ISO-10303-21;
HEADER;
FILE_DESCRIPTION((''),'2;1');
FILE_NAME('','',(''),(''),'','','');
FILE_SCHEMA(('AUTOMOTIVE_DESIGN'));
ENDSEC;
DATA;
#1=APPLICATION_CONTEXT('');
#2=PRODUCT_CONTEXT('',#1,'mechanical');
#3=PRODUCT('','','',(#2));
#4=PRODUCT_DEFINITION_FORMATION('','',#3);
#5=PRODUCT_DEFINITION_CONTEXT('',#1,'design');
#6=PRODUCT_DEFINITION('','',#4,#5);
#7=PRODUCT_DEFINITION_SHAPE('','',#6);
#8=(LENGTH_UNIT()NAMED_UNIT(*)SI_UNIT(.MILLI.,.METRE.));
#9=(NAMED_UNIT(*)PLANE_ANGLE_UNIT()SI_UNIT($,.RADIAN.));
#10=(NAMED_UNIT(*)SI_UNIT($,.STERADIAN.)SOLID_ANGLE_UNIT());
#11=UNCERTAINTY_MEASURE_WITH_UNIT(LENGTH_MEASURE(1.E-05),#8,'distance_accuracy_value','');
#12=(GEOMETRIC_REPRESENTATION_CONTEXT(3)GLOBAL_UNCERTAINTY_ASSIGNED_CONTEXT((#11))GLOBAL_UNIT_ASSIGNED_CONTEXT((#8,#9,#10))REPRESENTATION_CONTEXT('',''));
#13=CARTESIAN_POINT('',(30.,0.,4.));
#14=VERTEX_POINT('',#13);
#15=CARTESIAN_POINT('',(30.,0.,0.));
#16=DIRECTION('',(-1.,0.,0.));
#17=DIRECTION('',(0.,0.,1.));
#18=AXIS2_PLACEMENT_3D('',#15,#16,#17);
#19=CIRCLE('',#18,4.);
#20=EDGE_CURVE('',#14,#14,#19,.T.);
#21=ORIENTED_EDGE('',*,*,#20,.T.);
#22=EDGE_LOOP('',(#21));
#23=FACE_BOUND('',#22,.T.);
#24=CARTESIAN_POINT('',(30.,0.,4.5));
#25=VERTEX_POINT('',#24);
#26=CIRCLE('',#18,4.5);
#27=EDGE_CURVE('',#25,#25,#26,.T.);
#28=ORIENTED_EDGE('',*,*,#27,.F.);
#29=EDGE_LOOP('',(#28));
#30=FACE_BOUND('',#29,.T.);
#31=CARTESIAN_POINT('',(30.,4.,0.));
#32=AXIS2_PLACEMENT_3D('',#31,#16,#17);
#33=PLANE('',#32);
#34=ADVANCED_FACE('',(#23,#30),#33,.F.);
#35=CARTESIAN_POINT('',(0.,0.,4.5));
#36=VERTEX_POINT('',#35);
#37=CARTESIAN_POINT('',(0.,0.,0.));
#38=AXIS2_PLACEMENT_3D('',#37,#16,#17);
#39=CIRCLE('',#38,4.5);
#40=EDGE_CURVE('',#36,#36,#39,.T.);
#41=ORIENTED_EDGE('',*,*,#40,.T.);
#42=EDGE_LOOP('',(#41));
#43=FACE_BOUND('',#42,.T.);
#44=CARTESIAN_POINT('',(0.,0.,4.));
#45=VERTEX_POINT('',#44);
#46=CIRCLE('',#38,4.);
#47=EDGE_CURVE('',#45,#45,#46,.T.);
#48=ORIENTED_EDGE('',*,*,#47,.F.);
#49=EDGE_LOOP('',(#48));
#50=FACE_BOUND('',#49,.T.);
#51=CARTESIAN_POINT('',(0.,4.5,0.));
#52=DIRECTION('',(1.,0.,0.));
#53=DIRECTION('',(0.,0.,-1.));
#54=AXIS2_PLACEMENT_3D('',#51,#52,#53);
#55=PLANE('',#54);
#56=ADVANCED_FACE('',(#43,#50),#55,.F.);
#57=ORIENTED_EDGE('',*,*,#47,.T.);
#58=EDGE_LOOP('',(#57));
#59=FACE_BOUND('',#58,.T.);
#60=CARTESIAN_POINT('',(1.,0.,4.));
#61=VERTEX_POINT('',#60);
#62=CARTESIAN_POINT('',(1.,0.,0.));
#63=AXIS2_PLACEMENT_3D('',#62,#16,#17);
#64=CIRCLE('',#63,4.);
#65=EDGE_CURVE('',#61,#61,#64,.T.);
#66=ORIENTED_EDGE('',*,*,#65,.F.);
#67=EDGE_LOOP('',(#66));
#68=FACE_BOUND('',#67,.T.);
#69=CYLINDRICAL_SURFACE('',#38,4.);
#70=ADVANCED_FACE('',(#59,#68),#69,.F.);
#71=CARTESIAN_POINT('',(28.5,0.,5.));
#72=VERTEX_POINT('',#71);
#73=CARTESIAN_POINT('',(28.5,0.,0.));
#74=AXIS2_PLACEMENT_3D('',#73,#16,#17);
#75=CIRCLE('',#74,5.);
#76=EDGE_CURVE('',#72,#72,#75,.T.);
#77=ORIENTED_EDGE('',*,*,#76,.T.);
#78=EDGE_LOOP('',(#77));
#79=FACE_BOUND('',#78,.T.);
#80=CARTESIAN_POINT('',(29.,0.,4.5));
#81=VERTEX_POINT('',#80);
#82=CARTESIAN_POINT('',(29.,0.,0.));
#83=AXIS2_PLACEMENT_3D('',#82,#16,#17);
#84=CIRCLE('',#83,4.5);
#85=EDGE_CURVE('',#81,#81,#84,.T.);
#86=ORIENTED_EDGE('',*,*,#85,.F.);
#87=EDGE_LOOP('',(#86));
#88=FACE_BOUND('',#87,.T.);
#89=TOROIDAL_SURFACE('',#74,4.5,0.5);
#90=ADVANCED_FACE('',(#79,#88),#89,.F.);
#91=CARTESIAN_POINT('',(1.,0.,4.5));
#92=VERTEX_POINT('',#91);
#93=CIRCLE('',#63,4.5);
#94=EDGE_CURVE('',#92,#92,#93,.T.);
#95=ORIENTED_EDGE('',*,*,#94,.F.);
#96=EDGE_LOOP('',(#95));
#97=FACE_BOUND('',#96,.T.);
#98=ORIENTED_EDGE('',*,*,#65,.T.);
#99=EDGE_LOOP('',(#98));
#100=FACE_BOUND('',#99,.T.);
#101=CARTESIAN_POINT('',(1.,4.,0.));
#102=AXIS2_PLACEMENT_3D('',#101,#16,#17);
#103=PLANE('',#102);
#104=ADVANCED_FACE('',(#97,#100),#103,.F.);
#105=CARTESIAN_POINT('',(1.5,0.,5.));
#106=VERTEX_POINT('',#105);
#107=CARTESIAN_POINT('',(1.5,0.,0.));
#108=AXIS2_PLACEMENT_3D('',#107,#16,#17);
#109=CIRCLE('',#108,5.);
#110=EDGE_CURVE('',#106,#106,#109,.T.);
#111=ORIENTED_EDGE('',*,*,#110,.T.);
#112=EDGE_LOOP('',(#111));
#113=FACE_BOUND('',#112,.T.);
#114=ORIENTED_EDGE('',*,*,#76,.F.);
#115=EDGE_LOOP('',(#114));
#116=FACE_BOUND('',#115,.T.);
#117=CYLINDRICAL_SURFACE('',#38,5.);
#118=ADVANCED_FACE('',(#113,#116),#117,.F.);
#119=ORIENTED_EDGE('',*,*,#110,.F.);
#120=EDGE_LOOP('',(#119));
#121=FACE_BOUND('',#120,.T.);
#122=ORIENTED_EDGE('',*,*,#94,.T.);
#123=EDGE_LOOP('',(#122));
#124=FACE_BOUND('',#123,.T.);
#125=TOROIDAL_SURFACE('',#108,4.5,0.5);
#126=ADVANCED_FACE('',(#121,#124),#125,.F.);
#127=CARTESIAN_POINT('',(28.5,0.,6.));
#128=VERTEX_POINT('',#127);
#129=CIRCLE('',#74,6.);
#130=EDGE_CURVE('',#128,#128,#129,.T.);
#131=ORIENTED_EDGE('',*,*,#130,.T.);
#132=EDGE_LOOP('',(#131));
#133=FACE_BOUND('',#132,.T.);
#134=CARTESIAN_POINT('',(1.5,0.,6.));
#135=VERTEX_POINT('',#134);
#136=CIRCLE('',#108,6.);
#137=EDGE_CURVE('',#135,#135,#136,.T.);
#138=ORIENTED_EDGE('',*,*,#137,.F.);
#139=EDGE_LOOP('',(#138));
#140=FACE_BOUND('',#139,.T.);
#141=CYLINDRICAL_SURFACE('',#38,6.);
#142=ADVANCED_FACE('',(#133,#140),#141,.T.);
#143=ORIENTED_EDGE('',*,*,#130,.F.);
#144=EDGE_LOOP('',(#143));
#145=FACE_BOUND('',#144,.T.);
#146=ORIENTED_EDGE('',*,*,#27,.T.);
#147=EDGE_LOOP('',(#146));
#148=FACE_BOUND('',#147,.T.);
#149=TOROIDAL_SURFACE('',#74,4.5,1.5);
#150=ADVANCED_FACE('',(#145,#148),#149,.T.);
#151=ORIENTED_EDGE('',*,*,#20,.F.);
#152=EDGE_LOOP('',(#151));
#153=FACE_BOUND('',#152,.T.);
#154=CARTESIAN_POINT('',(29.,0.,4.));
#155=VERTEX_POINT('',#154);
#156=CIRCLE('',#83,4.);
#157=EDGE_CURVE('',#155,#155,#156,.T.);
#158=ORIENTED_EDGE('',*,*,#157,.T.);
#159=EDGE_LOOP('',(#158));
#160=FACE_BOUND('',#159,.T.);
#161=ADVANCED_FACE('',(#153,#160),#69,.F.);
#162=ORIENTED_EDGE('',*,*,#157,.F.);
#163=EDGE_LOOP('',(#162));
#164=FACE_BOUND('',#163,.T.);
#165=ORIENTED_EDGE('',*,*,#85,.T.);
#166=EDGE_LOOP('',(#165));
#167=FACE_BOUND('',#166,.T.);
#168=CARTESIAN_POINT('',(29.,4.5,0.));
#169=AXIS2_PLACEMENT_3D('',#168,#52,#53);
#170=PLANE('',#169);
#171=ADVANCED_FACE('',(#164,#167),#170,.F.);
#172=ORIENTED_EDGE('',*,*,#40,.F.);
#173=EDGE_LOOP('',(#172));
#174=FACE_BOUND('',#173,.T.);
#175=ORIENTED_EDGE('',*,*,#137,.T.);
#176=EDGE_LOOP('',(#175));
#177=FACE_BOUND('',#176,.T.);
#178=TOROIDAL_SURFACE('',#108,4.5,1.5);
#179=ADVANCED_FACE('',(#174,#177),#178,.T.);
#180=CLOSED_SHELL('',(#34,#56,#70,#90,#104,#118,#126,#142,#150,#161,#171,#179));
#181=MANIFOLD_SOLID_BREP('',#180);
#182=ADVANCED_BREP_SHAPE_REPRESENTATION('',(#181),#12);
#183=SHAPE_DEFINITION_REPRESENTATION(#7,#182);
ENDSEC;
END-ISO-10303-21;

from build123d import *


with BuildPart() as part:
    # Esquisse1 → Base-Révolution (revolve)
    with BuildSketch(Plane.XY, mode=Mode.PRIVATE) as base_r_volution_sk:
        with BuildLine():
            Line((1.5, 6), (28.5, 6))
            ThreePointArc((28.5, 6), (29.560660172, 5.560660172), (30, 4.5))
            Line((30, 4.5), (30, 4))
            Line((30, 4), (29, 4))
            Line((29, 4), (29, 4.5))
            ThreePointArc((29, 4.5), (28.853553391, 4.853553391), (28.5, 5))
            Line((28.5, 5), (1.5, 5))
            ThreePointArc((1.5, 5), (1.146446609, 4.853553391), (1, 4.5))
            Line((1, 4.5), (1, 4))
            Line((1, 4), (0, 4))
            Line((0, 4), (0, 4.5))
            ThreePointArc((0, 4.5), (0.439339828, 5.560660172), (1.5, 6))
        make_face()
    revolve(base_r_volution_sk.sketch.rotate(Axis((0, 0, 0), (1, 0, 0)), 90), axis=Axis((0, 0, 0), (1, 0, 0)))


solid = part.part
